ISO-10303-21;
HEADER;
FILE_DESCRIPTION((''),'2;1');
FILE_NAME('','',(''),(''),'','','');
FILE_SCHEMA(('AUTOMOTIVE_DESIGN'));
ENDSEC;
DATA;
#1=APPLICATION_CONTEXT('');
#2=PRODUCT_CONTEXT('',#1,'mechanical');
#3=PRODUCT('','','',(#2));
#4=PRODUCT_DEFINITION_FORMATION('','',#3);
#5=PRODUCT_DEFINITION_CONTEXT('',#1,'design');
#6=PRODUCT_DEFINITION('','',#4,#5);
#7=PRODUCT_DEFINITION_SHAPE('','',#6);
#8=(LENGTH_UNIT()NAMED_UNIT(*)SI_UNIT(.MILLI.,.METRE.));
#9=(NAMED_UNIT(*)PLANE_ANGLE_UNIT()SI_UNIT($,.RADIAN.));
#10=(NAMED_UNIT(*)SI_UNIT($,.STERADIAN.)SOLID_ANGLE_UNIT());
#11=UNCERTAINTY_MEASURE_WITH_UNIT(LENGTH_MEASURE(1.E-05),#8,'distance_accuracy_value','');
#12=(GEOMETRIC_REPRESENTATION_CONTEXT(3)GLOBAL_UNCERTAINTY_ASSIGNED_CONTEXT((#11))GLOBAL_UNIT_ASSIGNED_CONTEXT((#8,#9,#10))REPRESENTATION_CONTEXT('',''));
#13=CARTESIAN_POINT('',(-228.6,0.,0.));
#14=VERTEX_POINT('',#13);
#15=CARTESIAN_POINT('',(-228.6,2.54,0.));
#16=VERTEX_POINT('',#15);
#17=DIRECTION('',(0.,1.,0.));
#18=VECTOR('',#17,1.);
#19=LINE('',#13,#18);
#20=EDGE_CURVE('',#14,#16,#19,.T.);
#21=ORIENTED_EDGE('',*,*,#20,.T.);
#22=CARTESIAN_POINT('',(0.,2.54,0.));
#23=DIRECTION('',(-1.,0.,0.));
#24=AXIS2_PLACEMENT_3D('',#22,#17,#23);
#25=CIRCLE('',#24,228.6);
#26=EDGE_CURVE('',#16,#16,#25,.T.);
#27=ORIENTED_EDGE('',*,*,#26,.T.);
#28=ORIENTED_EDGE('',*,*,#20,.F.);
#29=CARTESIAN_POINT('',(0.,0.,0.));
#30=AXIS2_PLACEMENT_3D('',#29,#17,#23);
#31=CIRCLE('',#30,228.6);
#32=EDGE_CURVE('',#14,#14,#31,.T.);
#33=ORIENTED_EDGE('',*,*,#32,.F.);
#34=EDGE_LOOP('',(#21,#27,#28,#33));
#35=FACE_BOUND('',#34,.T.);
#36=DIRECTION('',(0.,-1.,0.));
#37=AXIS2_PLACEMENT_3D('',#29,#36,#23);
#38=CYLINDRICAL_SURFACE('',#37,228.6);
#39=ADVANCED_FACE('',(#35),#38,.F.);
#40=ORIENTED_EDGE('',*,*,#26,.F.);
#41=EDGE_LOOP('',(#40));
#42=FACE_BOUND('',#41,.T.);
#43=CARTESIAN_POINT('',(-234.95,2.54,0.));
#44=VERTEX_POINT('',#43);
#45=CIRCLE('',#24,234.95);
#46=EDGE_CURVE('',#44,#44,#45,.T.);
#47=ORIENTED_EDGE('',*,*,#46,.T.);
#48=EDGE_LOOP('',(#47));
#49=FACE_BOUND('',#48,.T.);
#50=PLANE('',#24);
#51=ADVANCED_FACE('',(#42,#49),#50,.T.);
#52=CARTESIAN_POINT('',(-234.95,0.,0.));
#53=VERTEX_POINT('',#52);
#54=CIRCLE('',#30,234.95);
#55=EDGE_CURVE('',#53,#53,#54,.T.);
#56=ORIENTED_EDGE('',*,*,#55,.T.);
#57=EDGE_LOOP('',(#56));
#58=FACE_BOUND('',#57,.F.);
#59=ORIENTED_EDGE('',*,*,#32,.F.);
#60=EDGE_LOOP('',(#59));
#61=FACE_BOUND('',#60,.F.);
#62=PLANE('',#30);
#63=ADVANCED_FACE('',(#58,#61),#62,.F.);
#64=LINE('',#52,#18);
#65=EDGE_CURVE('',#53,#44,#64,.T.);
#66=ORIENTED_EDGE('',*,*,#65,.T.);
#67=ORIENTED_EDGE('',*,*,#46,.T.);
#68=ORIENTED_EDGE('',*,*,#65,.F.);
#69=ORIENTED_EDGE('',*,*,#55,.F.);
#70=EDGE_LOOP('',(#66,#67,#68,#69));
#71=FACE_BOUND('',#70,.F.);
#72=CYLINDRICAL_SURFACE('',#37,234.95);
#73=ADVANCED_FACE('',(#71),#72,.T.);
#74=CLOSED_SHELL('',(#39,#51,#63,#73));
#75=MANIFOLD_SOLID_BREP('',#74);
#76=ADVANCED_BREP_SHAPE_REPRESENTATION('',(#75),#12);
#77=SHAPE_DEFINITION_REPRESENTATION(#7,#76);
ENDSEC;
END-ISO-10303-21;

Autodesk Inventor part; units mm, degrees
ref_plane "YZ Plane" through (0, 0, 0) normal (1, 0, 0) x (0, 1, 0)
ref_plane "XZ Plane" through (0, 0, 0) normal (0, 1, 0) x (-1, 0, 0)
ref_plane "XY Plane" through (0, 0, 0) normal (0, 0, 1) x (1, 0, 0)
sketch "Sketch1" plane through (0, 0, 0) normal (0, 1, 0) x (-1, 0, 0)
  circle A0 centre (0, 0) radius 228.6
  circle A1 centre (0, 0) radius 234.95
  dimension "d0" = 457.2
  dimension "d1" = 6.35
extrude "Extrusion1" add sketch "Sketch1" along normal blind 2.54
equation "\"d0\" = hubInnerDiam"
equation "\"hubOuterDiam\" = 914.4"
equation "\"hubInnerDiam\" = 0.5 * hubOuterDiam"
properties part number "hubGuideRingOuter" material "Gold"
